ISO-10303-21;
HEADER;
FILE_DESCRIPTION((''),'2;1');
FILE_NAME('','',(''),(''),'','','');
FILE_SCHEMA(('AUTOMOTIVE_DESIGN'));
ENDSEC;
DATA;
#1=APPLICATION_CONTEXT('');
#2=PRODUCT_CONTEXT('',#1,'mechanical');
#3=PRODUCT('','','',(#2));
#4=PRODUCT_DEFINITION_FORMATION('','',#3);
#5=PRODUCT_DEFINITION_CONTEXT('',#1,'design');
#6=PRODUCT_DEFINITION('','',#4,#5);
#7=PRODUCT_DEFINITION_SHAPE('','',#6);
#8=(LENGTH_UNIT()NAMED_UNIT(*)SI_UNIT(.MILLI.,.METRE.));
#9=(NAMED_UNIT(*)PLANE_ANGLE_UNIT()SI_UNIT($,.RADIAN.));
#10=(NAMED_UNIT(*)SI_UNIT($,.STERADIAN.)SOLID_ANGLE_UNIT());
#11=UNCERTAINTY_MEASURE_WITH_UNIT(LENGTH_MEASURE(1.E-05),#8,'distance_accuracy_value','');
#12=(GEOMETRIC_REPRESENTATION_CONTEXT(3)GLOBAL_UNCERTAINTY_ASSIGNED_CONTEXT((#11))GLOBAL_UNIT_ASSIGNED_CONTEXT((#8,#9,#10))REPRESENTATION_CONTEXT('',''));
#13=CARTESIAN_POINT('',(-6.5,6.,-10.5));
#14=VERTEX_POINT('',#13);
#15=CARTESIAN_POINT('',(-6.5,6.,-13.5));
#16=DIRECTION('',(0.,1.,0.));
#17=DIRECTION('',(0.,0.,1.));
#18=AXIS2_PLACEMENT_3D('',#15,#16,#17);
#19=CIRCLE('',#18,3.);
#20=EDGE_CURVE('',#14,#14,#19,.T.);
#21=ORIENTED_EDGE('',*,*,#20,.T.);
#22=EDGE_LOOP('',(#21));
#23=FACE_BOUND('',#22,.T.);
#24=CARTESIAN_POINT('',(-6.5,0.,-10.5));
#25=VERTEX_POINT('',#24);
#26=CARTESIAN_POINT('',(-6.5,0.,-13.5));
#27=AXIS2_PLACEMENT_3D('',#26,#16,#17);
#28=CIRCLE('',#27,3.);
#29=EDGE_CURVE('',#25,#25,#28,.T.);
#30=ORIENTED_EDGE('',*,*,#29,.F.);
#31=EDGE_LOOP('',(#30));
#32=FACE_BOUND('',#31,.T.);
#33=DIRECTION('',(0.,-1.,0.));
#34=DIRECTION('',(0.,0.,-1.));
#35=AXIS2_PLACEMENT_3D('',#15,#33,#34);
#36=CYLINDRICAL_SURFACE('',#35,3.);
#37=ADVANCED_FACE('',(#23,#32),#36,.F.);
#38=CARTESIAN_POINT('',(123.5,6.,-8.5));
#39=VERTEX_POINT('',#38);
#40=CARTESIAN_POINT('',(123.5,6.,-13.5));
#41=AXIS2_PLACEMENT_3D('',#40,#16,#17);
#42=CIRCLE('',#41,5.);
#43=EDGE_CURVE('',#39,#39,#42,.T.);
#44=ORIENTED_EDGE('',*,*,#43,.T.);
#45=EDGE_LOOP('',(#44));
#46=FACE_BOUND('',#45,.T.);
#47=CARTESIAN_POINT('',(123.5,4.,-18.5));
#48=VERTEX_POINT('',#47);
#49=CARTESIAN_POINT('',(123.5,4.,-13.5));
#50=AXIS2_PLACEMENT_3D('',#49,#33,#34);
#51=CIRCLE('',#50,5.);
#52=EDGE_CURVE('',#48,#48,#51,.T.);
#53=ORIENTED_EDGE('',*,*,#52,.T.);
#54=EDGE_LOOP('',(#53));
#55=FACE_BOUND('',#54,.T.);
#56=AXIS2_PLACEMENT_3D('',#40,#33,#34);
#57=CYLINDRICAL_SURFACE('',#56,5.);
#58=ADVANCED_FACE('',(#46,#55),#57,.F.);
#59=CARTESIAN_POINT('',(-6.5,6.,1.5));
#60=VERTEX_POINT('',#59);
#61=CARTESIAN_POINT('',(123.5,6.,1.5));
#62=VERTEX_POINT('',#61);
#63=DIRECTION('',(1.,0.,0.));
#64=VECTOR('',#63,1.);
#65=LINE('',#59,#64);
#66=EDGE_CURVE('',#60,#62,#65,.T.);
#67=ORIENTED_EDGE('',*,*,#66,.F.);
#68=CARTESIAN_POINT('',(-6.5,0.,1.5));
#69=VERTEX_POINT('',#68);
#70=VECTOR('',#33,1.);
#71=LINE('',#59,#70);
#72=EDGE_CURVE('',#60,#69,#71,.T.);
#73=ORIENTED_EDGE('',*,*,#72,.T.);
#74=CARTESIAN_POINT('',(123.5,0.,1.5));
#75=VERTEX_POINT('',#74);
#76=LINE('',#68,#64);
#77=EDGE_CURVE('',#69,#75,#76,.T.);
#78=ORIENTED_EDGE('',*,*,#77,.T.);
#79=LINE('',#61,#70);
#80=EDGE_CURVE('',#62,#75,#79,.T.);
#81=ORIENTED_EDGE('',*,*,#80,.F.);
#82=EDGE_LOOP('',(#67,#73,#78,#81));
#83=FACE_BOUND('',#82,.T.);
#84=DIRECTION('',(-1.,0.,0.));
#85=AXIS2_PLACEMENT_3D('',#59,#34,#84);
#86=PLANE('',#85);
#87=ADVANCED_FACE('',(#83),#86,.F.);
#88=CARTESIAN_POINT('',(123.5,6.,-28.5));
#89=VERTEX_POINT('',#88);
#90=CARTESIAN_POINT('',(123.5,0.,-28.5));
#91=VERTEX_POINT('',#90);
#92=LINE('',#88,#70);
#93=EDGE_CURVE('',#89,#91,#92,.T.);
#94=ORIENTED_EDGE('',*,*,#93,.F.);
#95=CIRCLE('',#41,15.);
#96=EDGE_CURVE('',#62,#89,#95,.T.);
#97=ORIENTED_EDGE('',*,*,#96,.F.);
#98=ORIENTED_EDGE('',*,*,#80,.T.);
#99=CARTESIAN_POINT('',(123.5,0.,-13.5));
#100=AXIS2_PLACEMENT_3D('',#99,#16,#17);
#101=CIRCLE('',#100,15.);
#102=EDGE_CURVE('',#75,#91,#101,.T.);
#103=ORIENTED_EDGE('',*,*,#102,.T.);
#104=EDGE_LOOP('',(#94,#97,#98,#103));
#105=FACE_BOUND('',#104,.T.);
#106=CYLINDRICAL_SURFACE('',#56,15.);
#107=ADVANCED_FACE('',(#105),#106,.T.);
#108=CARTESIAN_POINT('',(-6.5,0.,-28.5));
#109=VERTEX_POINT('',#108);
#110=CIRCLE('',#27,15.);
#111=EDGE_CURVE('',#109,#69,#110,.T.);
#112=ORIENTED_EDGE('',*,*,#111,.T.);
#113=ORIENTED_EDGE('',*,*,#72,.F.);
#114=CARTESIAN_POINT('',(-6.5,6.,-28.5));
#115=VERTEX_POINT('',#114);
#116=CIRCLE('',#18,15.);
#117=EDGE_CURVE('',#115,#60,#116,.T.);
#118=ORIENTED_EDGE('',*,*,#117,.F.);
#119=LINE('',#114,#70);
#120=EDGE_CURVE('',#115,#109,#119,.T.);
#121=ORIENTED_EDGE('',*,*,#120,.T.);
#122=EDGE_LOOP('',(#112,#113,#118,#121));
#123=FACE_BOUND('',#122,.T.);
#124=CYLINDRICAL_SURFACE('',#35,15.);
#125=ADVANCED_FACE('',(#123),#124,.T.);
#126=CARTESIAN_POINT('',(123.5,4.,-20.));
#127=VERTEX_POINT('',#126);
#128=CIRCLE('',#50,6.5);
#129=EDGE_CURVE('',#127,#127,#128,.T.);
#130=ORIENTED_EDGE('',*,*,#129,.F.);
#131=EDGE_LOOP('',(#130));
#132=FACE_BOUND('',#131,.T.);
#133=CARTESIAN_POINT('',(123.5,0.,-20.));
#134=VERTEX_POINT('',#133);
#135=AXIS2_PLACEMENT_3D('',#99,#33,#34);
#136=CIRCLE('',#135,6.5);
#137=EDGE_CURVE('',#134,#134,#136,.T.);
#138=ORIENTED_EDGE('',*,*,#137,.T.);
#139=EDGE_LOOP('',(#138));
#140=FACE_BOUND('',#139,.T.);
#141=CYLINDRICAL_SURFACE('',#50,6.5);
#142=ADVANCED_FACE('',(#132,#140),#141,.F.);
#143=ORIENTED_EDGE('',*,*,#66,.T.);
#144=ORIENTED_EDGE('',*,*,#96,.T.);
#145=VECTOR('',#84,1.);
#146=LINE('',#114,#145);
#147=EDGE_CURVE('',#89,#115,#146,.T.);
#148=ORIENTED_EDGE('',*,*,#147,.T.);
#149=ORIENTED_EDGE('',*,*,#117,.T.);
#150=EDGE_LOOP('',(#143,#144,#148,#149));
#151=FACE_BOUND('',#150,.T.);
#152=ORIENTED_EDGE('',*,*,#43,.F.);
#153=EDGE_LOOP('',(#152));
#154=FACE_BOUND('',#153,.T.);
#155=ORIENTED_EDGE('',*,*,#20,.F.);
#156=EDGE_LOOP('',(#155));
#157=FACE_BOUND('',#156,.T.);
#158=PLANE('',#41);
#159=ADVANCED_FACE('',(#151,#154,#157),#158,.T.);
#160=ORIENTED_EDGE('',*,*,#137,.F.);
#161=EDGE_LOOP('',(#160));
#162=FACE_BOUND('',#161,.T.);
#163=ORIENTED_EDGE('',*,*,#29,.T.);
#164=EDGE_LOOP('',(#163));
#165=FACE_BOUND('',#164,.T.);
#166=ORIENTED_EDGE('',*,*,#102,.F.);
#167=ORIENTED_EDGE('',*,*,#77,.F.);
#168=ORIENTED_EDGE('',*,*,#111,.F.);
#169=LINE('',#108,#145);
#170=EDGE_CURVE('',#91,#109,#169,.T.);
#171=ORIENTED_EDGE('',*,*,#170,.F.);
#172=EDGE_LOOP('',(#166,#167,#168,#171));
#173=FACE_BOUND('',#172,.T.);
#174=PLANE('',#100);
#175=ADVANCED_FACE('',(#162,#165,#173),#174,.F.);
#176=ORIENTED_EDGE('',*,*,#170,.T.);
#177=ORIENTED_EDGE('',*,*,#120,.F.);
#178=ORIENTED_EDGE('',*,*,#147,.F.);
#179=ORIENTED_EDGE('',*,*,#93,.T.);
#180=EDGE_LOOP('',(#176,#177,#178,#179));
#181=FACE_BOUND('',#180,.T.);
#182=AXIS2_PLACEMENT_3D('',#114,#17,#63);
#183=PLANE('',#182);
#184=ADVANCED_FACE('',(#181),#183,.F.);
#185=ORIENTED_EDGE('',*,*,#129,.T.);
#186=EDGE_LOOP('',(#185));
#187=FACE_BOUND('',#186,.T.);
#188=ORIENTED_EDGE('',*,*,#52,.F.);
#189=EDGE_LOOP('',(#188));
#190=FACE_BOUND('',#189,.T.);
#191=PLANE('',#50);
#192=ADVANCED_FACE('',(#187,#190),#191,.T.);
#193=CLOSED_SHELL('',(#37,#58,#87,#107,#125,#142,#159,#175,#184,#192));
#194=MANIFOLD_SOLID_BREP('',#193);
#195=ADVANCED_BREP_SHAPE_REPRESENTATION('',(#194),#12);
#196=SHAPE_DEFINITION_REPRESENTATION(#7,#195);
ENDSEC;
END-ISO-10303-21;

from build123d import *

# Parameters (mm, degrees)
SKETCH2_R           = 3
SKETCH2_R_2         = 5
BOSS_EXTRUDE1_DEPTH = 6
SKETCH4_R           = 6.5
CUT_EXTRUDE1_DEPTH  = 4


with BuildPart() as part:
    # Sketch2 → Boss-Extrude1 (new body)
    with BuildSketch(Plane(origin=(0, 0, 0), x_dir=(1, 0, 0), z_dir=(0, 1, 0))):
        with BuildLine():
            Line((-6.5, 28.5), (123.5, 28.5))
            ThreePointArc((123.5, 28.5), (138.5, 13.5), (123.5, -1.5))
            Line((123.5, -1.5), (-6.5, -1.5))
            ThreePointArc((-6.5, -1.5), (-21.5, 13.5), (-6.5, 28.5))
        make_face()
        with Locations(Location((-6.5, 13.5, 0), (0, 0, 270))):
            Circle(SKETCH2_R, mode=Mode.SUBTRACT)
        with Locations(Location((123.5, 13.5, 0), (0, 0, 270))):
            Circle(SKETCH2_R_2, mode=Mode.SUBTRACT)
    extrude(amount=BOSS_EXTRUDE1_DEPTH)

    # Sketch4 → Cut-Extrude1 (cut)
    with BuildSketch(Plane.XZ):
        with Locations(Location((123.5, -13.5, 0), (0, 0, 270))):
            Circle(SKETCH4_R)
    extrude(amount=-CUT_EXTRUDE1_DEPTH, mode=Mode.SUBTRACT)


solid = part.part
